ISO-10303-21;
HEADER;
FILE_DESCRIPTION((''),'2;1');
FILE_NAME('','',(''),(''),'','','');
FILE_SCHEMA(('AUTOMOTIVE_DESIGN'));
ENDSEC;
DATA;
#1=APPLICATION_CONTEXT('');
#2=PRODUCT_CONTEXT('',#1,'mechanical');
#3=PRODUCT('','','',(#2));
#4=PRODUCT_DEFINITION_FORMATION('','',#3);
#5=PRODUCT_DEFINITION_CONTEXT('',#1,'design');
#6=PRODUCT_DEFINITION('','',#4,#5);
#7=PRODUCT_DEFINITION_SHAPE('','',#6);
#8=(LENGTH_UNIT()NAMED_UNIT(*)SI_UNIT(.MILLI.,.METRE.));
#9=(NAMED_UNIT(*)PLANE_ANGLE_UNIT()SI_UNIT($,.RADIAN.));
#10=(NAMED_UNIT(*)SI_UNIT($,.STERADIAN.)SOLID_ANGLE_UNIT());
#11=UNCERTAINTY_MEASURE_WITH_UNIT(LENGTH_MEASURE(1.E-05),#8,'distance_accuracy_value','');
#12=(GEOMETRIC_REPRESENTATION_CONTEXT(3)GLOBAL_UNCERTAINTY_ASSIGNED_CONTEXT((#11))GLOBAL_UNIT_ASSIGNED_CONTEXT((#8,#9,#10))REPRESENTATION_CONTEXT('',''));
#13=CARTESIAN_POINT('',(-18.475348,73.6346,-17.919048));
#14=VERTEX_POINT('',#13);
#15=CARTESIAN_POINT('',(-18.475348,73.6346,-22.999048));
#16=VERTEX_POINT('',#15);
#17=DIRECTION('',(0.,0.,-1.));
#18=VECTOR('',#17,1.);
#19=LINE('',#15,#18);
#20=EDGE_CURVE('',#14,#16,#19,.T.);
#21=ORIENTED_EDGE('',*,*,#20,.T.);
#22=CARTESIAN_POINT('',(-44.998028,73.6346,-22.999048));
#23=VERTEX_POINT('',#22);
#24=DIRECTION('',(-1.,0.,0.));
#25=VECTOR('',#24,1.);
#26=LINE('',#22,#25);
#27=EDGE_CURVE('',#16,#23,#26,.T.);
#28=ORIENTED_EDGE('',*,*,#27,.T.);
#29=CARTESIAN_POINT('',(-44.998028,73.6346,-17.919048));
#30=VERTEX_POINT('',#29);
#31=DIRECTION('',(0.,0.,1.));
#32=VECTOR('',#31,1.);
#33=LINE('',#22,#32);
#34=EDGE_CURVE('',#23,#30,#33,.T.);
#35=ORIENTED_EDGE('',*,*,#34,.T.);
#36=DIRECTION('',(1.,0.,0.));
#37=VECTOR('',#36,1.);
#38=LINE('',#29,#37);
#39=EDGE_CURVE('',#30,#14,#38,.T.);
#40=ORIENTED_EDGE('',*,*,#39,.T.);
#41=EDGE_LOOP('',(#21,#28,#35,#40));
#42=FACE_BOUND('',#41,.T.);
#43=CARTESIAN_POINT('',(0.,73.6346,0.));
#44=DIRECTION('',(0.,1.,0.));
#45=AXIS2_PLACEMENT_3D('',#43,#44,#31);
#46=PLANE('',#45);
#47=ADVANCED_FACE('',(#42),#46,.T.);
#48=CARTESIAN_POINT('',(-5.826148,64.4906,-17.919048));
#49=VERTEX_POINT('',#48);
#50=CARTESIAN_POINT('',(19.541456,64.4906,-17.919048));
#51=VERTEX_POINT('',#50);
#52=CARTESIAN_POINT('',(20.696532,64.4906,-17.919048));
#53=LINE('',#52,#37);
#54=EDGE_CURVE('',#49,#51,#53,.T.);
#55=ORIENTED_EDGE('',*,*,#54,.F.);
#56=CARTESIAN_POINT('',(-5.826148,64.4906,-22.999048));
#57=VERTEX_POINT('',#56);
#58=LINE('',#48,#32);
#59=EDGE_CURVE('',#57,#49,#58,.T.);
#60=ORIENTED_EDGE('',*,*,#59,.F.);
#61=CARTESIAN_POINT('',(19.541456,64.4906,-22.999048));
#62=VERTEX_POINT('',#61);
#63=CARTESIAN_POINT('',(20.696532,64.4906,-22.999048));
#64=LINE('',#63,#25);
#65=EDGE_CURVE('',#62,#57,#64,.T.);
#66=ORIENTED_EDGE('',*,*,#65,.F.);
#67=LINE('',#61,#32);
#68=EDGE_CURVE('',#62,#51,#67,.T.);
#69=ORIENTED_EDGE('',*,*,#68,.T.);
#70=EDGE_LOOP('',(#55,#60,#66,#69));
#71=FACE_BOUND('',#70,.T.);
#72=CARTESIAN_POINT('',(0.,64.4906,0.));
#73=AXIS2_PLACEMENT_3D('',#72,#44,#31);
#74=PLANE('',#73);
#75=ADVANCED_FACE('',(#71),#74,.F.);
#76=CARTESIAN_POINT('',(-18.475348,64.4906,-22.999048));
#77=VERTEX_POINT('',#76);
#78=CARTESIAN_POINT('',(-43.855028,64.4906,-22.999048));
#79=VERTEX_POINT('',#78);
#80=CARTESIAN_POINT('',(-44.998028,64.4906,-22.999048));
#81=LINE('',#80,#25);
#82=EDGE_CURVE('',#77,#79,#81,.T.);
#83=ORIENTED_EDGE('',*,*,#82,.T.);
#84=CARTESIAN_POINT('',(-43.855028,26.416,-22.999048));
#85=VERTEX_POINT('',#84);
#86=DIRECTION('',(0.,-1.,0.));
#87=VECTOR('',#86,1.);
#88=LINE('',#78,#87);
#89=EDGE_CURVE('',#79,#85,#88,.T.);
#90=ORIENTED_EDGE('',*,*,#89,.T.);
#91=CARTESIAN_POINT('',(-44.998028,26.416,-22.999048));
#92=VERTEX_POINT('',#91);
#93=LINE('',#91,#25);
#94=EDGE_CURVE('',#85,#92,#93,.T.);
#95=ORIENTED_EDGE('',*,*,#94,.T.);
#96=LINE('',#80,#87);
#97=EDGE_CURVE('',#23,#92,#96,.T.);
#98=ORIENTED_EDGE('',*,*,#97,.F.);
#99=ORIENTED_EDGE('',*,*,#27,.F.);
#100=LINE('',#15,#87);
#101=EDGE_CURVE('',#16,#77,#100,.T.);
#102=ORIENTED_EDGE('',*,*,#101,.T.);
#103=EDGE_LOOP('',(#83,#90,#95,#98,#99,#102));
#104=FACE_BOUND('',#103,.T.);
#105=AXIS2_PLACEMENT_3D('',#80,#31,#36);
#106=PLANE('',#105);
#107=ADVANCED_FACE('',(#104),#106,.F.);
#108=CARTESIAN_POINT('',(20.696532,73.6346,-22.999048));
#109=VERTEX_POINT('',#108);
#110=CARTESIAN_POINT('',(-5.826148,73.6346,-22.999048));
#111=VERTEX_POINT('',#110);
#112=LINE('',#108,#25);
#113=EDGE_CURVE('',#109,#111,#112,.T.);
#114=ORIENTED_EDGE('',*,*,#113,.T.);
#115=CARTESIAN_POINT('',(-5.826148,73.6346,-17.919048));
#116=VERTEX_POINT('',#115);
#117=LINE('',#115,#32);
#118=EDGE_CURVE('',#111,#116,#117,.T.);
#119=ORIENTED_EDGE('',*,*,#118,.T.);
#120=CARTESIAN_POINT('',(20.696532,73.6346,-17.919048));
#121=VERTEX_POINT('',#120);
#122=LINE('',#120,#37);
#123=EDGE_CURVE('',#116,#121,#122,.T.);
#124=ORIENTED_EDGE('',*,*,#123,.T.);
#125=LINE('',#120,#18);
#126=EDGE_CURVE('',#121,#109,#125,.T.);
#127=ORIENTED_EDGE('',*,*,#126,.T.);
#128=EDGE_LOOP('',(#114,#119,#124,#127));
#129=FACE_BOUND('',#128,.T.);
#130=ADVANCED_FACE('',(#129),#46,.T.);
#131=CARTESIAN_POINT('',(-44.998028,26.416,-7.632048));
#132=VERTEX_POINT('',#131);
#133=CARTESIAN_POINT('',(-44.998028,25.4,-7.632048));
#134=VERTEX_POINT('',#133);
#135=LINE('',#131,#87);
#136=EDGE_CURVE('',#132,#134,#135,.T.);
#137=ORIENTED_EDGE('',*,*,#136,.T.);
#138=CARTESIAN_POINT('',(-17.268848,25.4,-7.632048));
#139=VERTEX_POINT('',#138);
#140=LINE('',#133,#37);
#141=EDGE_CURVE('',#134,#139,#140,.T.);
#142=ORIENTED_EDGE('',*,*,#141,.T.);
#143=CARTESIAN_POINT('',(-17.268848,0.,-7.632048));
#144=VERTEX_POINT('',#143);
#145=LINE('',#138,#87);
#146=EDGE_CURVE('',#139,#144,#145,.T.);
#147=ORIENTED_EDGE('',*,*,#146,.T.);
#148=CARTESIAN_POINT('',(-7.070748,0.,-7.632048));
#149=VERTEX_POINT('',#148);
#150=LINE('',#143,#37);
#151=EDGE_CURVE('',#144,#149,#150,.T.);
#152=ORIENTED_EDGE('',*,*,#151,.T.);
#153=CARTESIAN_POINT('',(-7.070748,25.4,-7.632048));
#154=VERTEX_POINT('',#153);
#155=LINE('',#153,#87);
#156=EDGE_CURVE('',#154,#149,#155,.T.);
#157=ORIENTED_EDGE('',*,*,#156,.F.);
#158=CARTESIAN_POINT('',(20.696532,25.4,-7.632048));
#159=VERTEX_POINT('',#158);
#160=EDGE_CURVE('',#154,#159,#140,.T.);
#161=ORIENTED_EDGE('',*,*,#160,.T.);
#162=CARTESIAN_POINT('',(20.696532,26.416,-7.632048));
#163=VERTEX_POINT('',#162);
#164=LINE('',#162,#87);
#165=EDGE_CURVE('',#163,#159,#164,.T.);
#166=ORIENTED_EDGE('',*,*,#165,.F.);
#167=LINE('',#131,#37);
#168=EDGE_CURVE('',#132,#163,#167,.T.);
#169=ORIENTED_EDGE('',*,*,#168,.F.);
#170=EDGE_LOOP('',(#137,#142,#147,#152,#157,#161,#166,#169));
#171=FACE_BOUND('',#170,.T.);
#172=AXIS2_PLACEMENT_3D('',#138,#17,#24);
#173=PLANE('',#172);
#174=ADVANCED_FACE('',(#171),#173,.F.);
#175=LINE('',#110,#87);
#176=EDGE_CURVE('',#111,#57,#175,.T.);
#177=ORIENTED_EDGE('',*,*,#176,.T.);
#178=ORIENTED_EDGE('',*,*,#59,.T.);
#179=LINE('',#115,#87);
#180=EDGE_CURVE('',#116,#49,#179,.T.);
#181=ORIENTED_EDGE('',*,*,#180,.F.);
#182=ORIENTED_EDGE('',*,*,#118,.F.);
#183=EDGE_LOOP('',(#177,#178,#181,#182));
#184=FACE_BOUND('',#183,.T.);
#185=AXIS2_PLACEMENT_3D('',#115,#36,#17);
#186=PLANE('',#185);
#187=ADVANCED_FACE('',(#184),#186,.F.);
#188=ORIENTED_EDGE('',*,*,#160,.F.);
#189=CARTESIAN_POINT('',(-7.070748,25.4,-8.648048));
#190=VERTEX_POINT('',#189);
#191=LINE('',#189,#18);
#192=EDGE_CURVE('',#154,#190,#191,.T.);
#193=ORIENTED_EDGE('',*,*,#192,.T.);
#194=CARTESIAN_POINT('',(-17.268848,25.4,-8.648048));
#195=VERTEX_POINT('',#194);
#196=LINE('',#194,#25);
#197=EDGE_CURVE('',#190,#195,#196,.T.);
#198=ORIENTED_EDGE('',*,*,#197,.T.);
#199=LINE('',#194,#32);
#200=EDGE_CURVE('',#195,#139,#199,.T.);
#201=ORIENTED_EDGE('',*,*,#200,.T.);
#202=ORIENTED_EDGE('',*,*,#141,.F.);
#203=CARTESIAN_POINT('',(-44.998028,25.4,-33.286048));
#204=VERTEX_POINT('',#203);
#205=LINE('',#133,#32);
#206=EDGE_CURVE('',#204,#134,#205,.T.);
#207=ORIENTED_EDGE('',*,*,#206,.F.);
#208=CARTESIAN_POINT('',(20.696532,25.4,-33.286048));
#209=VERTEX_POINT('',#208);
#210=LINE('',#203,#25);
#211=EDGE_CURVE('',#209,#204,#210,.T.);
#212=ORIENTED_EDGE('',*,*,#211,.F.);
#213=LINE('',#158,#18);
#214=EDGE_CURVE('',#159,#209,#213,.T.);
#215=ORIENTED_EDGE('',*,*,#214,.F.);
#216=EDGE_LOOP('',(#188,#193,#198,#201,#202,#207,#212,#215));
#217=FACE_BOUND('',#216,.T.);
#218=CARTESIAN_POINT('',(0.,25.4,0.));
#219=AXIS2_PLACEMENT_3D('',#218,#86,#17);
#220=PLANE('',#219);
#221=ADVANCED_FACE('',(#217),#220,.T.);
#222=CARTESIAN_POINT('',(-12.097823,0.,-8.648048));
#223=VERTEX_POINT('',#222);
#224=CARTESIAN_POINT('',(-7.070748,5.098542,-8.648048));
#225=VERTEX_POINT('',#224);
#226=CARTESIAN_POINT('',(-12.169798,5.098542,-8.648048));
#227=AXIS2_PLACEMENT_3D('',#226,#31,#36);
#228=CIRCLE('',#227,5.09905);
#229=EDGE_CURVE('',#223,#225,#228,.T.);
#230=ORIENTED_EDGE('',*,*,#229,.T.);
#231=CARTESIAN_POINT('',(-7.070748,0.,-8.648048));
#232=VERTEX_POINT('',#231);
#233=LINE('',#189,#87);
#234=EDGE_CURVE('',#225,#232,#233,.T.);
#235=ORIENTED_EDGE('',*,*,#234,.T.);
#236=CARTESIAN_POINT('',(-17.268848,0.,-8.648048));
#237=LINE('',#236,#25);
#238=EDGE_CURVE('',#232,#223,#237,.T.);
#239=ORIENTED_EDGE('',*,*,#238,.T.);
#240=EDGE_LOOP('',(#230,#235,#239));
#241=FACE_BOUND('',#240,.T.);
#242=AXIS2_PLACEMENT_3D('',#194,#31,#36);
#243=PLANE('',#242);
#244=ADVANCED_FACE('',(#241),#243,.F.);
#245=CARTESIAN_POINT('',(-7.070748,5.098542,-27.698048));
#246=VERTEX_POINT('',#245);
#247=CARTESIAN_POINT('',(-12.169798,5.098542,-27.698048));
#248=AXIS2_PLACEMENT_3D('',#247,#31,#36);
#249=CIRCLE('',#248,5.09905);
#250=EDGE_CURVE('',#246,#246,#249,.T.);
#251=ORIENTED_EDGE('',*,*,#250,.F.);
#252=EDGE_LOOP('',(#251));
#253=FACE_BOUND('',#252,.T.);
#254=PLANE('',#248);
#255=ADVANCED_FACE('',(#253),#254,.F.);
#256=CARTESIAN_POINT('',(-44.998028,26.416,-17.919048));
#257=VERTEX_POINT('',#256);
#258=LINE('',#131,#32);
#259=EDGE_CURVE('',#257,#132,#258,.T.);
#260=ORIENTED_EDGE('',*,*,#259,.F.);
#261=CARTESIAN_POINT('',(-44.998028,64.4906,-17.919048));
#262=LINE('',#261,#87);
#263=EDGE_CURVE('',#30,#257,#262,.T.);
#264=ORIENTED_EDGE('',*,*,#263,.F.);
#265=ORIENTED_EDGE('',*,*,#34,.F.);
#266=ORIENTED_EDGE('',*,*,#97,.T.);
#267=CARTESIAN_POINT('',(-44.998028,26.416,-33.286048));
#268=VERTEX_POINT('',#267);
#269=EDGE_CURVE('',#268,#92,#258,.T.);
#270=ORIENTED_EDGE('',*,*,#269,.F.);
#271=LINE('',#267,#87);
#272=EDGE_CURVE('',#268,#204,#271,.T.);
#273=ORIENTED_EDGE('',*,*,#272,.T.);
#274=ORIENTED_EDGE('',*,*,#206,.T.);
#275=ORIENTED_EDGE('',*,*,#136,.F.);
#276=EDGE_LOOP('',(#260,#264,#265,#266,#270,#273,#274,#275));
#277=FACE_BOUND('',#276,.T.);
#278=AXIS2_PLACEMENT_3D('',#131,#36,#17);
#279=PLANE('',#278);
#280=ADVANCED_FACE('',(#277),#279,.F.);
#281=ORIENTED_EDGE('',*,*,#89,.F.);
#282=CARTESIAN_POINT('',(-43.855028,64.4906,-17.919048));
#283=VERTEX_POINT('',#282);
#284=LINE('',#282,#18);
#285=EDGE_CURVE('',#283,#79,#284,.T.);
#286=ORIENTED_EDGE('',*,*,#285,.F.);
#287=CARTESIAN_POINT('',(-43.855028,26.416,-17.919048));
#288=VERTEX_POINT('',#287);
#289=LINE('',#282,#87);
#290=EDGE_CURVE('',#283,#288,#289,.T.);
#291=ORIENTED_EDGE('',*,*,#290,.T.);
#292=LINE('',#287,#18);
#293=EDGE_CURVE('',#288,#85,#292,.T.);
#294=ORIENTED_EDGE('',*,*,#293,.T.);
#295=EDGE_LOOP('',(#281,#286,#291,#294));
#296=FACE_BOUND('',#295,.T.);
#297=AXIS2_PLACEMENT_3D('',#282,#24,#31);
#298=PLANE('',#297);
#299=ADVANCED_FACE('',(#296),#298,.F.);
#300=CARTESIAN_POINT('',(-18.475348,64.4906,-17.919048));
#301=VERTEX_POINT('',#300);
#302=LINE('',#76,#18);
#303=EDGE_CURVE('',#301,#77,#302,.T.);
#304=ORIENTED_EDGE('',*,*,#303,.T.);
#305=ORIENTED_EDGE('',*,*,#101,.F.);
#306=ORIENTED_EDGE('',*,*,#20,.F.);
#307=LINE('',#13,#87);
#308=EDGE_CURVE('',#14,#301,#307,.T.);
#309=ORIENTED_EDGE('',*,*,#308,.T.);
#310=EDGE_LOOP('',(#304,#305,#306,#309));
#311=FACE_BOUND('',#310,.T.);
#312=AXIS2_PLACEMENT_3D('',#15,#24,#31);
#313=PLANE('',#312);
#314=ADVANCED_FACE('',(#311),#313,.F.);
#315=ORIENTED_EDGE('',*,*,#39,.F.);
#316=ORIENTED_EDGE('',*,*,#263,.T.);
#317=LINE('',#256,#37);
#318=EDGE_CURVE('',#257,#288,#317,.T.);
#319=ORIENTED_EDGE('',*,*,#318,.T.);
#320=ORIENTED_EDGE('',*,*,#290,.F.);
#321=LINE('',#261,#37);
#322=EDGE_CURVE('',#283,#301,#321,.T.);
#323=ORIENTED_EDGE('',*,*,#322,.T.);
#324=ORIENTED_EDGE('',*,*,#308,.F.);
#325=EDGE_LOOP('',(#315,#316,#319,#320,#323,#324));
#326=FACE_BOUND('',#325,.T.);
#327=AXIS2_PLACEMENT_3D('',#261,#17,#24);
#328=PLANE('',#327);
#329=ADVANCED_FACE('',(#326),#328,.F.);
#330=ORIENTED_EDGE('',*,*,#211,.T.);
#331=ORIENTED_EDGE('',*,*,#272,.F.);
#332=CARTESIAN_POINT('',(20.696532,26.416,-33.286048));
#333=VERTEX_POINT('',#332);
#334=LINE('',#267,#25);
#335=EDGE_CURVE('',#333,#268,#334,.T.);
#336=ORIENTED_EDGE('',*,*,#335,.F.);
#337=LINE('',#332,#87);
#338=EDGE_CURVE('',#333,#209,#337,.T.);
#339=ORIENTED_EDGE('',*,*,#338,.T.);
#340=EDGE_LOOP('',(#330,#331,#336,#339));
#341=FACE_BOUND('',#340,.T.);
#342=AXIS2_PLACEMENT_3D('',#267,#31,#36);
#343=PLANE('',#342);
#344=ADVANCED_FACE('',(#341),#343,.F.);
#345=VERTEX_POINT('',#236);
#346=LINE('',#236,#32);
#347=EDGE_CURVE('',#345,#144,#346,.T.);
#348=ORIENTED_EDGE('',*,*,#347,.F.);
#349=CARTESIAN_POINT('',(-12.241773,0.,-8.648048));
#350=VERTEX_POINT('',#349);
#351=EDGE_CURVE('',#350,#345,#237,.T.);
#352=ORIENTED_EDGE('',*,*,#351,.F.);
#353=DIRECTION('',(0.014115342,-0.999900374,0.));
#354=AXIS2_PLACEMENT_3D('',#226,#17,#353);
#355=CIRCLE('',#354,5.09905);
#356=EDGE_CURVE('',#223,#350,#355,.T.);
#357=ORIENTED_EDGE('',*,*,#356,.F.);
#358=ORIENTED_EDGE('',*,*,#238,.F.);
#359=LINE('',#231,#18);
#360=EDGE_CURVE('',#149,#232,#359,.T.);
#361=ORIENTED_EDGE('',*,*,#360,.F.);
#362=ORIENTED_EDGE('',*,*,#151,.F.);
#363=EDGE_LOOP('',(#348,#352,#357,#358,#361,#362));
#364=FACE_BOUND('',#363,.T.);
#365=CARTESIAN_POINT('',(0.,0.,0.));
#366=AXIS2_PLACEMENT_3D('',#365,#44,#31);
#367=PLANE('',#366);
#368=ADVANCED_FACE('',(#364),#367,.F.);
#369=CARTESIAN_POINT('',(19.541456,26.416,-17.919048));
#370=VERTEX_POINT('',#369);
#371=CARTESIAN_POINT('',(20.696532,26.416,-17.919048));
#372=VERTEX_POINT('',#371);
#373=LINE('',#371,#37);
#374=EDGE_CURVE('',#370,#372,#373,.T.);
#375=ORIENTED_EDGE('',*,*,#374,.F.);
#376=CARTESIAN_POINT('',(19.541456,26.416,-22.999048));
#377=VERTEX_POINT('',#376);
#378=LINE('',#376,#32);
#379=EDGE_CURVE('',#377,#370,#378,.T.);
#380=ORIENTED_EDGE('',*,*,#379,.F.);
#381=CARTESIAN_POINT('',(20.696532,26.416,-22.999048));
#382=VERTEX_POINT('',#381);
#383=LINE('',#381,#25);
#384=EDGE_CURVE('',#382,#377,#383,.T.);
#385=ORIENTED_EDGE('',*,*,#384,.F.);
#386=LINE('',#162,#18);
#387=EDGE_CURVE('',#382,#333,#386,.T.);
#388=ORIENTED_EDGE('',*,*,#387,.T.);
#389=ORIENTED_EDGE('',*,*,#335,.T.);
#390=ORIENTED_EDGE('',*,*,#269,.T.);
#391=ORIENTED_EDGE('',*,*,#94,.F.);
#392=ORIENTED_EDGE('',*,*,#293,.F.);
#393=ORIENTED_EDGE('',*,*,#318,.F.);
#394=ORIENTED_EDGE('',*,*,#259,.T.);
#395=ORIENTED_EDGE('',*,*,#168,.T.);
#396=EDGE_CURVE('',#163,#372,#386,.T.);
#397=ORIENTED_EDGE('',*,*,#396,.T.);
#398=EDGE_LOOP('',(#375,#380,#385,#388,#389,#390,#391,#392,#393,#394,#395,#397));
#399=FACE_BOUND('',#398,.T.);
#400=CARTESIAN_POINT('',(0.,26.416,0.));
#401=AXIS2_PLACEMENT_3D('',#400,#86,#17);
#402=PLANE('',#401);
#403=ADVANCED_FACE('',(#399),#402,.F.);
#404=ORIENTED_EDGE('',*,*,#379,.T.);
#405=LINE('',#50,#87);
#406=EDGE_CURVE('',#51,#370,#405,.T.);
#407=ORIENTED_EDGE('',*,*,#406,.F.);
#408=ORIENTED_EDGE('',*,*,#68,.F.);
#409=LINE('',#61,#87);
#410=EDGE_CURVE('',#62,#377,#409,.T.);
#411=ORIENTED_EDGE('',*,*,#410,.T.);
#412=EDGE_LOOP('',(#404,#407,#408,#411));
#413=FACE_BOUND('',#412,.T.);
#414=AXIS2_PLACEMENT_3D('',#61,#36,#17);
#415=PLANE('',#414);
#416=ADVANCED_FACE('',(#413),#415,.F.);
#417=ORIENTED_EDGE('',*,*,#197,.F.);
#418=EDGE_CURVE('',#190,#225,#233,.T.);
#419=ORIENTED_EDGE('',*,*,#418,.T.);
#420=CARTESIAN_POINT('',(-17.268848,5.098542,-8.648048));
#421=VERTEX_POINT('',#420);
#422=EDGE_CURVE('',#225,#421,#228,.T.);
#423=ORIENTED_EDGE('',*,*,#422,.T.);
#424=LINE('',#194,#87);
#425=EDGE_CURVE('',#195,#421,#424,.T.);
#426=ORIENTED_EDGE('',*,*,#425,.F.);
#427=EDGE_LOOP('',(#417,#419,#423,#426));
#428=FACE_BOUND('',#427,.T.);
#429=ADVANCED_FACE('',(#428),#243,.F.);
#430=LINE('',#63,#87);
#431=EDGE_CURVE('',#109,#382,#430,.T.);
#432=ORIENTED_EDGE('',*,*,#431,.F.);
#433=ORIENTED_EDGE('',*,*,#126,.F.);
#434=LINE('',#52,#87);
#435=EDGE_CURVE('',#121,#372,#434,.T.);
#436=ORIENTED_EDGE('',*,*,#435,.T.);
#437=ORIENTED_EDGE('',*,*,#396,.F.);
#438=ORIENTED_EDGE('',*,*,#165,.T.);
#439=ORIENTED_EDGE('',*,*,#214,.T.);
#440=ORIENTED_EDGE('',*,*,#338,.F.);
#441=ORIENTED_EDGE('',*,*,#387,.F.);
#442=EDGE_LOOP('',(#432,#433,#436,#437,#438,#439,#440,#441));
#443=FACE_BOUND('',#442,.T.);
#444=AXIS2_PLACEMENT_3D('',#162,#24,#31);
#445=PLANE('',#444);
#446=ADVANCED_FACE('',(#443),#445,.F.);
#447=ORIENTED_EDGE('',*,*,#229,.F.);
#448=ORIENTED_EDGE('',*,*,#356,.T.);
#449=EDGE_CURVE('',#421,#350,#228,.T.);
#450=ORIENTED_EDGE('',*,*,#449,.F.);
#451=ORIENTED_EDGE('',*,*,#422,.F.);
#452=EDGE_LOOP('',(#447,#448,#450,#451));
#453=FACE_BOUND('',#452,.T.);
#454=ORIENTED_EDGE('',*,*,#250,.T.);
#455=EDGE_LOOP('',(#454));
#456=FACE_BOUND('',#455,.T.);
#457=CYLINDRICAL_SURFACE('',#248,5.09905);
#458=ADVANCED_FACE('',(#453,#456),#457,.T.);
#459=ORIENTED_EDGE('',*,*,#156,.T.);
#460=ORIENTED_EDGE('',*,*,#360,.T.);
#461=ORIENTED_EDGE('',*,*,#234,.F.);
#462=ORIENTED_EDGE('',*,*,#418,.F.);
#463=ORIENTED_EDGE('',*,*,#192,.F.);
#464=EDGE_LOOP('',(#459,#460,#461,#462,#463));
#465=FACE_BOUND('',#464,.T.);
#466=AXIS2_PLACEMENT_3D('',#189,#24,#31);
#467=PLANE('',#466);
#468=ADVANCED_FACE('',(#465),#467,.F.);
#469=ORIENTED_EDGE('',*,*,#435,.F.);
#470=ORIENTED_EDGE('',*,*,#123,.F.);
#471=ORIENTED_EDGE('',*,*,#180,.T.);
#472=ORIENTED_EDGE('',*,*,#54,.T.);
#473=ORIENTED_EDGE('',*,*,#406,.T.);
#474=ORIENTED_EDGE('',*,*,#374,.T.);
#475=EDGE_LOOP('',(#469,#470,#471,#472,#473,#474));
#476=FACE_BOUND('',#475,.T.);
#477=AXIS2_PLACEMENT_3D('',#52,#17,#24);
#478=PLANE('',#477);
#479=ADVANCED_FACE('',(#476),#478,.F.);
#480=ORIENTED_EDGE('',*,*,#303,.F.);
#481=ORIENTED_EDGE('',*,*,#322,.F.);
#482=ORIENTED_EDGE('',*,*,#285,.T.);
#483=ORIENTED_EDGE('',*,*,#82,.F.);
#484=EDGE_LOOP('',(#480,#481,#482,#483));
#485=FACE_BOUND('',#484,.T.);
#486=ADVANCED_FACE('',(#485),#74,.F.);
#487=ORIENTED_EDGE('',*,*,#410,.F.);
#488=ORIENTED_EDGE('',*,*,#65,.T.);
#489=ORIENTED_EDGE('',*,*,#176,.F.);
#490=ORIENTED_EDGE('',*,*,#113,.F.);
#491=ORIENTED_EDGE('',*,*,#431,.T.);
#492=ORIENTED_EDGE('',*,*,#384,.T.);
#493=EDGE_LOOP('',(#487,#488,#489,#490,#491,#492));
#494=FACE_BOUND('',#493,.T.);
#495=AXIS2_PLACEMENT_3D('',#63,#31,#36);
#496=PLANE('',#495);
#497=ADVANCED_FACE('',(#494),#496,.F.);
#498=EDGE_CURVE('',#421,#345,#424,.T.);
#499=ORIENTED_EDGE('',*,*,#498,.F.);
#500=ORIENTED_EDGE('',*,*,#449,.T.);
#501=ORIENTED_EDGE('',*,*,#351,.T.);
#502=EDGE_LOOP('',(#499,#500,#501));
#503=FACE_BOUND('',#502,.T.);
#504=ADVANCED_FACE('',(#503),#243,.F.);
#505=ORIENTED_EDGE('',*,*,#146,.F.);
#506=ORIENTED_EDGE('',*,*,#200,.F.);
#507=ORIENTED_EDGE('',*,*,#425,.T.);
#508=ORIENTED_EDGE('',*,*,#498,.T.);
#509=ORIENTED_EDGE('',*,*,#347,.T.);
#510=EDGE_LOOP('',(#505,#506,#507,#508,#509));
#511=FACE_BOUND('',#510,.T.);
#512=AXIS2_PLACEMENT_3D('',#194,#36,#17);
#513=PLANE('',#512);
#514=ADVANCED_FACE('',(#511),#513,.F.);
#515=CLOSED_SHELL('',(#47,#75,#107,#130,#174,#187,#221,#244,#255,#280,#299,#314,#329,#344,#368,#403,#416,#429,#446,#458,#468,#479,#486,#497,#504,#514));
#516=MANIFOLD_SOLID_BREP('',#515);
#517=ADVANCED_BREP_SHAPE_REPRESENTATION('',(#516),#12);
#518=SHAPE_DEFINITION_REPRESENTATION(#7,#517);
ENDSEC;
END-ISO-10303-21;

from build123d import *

# Parameters (mm, degrees)
SKETCH6_W            = 10.1981
SKETCH6_H            = 1.016
BOSS_EXTRUDE3_DEPTH  = 25.4
SKETCH8_R            = 5.09905
BOSS_EXTRUDE5_DEPTH  = 19.05
SKETCH11_W           = 65.69456
SKETCH11_H           = 25.654
BOSS_EXTRUDE10_DEPTH = 1.016
SKETCH16_W           = 1.143
SKETCH16_H           = 5.08
SKETCH16_W_2         = 1.155076163
BOSS_EXTRUDE11_DEPTH = 38.0746
SKETCH17_W           = 26.52268
SKETCH17_H           = 5.08
BOSS_EXTRUDE12_DEPTH = 9.144


with BuildPart() as part:
    # Sketch6 → Boss-Extrude3 (new body)
    with BuildSketch(Plane(origin=(0, 0, 0), x_dir=(1, 0, 0), z_dir=(0, 1, 0))):
        with Locations((-12.169797761, 8.14004804)):
            Rectangle(SKETCH6_W, SKETCH6_H)
    extrude(amount=BOSS_EXTRUDE3_DEPTH)

    # Sketch8 → Boss-Extrude5 (add)
    with BuildSketch(Plane.XY.offset(-8.64804804)):
        with Locations((-12.169797761, 5.098542)):
            Circle(SKETCH8_R)
    extrude(amount=-BOSS_EXTRUDE5_DEPTH)

    # Sketch11 → Boss-Extrude10 (add)
    with BuildSketch(Plane(origin=(0, 25.4, 0), x_dir=(1, 0, 0), z_dir=(0, 1, 0))):
        with Locations((-12.150747761, 20.45904804)):
            Rectangle(SKETCH11_W, SKETCH11_H)
    extrude(amount=BOSS_EXTRUDE10_DEPTH)

    # Sketch16 → Boss-Extrude11 (add)
    with BuildSketch(Plane(origin=(0, 26.416, 0), x_dir=(1, 0, 0), z_dir=(0, 1, 0))):
        with Locations((-44.426527761, 20.45904804)):
            Rectangle(SKETCH16_W, SKETCH16_H)
        with Locations((20.118994158, 20.45904804)):
            Rectangle(SKETCH16_W_2, SKETCH16_H)
    extrude(amount=BOSS_EXTRUDE11_DEPTH)

    # Sketch17 → Boss-Extrude12 (add)
    with BuildSketch(Plane(origin=(0, 64.4906, 0), x_dir=(1, 0, 0), z_dir=(0, 1, 0))):
        with Locations((-31.736687761, 20.45904804)):
            Rectangle(SKETCH17_W, SKETCH17_H)
        with Locations((7.435192239, 20.45904804)):
            Rectangle(SKETCH17_W, SKETCH17_H)
    extrude(amount=BOSS_EXTRUDE12_DEPTH)


solid = part.part
